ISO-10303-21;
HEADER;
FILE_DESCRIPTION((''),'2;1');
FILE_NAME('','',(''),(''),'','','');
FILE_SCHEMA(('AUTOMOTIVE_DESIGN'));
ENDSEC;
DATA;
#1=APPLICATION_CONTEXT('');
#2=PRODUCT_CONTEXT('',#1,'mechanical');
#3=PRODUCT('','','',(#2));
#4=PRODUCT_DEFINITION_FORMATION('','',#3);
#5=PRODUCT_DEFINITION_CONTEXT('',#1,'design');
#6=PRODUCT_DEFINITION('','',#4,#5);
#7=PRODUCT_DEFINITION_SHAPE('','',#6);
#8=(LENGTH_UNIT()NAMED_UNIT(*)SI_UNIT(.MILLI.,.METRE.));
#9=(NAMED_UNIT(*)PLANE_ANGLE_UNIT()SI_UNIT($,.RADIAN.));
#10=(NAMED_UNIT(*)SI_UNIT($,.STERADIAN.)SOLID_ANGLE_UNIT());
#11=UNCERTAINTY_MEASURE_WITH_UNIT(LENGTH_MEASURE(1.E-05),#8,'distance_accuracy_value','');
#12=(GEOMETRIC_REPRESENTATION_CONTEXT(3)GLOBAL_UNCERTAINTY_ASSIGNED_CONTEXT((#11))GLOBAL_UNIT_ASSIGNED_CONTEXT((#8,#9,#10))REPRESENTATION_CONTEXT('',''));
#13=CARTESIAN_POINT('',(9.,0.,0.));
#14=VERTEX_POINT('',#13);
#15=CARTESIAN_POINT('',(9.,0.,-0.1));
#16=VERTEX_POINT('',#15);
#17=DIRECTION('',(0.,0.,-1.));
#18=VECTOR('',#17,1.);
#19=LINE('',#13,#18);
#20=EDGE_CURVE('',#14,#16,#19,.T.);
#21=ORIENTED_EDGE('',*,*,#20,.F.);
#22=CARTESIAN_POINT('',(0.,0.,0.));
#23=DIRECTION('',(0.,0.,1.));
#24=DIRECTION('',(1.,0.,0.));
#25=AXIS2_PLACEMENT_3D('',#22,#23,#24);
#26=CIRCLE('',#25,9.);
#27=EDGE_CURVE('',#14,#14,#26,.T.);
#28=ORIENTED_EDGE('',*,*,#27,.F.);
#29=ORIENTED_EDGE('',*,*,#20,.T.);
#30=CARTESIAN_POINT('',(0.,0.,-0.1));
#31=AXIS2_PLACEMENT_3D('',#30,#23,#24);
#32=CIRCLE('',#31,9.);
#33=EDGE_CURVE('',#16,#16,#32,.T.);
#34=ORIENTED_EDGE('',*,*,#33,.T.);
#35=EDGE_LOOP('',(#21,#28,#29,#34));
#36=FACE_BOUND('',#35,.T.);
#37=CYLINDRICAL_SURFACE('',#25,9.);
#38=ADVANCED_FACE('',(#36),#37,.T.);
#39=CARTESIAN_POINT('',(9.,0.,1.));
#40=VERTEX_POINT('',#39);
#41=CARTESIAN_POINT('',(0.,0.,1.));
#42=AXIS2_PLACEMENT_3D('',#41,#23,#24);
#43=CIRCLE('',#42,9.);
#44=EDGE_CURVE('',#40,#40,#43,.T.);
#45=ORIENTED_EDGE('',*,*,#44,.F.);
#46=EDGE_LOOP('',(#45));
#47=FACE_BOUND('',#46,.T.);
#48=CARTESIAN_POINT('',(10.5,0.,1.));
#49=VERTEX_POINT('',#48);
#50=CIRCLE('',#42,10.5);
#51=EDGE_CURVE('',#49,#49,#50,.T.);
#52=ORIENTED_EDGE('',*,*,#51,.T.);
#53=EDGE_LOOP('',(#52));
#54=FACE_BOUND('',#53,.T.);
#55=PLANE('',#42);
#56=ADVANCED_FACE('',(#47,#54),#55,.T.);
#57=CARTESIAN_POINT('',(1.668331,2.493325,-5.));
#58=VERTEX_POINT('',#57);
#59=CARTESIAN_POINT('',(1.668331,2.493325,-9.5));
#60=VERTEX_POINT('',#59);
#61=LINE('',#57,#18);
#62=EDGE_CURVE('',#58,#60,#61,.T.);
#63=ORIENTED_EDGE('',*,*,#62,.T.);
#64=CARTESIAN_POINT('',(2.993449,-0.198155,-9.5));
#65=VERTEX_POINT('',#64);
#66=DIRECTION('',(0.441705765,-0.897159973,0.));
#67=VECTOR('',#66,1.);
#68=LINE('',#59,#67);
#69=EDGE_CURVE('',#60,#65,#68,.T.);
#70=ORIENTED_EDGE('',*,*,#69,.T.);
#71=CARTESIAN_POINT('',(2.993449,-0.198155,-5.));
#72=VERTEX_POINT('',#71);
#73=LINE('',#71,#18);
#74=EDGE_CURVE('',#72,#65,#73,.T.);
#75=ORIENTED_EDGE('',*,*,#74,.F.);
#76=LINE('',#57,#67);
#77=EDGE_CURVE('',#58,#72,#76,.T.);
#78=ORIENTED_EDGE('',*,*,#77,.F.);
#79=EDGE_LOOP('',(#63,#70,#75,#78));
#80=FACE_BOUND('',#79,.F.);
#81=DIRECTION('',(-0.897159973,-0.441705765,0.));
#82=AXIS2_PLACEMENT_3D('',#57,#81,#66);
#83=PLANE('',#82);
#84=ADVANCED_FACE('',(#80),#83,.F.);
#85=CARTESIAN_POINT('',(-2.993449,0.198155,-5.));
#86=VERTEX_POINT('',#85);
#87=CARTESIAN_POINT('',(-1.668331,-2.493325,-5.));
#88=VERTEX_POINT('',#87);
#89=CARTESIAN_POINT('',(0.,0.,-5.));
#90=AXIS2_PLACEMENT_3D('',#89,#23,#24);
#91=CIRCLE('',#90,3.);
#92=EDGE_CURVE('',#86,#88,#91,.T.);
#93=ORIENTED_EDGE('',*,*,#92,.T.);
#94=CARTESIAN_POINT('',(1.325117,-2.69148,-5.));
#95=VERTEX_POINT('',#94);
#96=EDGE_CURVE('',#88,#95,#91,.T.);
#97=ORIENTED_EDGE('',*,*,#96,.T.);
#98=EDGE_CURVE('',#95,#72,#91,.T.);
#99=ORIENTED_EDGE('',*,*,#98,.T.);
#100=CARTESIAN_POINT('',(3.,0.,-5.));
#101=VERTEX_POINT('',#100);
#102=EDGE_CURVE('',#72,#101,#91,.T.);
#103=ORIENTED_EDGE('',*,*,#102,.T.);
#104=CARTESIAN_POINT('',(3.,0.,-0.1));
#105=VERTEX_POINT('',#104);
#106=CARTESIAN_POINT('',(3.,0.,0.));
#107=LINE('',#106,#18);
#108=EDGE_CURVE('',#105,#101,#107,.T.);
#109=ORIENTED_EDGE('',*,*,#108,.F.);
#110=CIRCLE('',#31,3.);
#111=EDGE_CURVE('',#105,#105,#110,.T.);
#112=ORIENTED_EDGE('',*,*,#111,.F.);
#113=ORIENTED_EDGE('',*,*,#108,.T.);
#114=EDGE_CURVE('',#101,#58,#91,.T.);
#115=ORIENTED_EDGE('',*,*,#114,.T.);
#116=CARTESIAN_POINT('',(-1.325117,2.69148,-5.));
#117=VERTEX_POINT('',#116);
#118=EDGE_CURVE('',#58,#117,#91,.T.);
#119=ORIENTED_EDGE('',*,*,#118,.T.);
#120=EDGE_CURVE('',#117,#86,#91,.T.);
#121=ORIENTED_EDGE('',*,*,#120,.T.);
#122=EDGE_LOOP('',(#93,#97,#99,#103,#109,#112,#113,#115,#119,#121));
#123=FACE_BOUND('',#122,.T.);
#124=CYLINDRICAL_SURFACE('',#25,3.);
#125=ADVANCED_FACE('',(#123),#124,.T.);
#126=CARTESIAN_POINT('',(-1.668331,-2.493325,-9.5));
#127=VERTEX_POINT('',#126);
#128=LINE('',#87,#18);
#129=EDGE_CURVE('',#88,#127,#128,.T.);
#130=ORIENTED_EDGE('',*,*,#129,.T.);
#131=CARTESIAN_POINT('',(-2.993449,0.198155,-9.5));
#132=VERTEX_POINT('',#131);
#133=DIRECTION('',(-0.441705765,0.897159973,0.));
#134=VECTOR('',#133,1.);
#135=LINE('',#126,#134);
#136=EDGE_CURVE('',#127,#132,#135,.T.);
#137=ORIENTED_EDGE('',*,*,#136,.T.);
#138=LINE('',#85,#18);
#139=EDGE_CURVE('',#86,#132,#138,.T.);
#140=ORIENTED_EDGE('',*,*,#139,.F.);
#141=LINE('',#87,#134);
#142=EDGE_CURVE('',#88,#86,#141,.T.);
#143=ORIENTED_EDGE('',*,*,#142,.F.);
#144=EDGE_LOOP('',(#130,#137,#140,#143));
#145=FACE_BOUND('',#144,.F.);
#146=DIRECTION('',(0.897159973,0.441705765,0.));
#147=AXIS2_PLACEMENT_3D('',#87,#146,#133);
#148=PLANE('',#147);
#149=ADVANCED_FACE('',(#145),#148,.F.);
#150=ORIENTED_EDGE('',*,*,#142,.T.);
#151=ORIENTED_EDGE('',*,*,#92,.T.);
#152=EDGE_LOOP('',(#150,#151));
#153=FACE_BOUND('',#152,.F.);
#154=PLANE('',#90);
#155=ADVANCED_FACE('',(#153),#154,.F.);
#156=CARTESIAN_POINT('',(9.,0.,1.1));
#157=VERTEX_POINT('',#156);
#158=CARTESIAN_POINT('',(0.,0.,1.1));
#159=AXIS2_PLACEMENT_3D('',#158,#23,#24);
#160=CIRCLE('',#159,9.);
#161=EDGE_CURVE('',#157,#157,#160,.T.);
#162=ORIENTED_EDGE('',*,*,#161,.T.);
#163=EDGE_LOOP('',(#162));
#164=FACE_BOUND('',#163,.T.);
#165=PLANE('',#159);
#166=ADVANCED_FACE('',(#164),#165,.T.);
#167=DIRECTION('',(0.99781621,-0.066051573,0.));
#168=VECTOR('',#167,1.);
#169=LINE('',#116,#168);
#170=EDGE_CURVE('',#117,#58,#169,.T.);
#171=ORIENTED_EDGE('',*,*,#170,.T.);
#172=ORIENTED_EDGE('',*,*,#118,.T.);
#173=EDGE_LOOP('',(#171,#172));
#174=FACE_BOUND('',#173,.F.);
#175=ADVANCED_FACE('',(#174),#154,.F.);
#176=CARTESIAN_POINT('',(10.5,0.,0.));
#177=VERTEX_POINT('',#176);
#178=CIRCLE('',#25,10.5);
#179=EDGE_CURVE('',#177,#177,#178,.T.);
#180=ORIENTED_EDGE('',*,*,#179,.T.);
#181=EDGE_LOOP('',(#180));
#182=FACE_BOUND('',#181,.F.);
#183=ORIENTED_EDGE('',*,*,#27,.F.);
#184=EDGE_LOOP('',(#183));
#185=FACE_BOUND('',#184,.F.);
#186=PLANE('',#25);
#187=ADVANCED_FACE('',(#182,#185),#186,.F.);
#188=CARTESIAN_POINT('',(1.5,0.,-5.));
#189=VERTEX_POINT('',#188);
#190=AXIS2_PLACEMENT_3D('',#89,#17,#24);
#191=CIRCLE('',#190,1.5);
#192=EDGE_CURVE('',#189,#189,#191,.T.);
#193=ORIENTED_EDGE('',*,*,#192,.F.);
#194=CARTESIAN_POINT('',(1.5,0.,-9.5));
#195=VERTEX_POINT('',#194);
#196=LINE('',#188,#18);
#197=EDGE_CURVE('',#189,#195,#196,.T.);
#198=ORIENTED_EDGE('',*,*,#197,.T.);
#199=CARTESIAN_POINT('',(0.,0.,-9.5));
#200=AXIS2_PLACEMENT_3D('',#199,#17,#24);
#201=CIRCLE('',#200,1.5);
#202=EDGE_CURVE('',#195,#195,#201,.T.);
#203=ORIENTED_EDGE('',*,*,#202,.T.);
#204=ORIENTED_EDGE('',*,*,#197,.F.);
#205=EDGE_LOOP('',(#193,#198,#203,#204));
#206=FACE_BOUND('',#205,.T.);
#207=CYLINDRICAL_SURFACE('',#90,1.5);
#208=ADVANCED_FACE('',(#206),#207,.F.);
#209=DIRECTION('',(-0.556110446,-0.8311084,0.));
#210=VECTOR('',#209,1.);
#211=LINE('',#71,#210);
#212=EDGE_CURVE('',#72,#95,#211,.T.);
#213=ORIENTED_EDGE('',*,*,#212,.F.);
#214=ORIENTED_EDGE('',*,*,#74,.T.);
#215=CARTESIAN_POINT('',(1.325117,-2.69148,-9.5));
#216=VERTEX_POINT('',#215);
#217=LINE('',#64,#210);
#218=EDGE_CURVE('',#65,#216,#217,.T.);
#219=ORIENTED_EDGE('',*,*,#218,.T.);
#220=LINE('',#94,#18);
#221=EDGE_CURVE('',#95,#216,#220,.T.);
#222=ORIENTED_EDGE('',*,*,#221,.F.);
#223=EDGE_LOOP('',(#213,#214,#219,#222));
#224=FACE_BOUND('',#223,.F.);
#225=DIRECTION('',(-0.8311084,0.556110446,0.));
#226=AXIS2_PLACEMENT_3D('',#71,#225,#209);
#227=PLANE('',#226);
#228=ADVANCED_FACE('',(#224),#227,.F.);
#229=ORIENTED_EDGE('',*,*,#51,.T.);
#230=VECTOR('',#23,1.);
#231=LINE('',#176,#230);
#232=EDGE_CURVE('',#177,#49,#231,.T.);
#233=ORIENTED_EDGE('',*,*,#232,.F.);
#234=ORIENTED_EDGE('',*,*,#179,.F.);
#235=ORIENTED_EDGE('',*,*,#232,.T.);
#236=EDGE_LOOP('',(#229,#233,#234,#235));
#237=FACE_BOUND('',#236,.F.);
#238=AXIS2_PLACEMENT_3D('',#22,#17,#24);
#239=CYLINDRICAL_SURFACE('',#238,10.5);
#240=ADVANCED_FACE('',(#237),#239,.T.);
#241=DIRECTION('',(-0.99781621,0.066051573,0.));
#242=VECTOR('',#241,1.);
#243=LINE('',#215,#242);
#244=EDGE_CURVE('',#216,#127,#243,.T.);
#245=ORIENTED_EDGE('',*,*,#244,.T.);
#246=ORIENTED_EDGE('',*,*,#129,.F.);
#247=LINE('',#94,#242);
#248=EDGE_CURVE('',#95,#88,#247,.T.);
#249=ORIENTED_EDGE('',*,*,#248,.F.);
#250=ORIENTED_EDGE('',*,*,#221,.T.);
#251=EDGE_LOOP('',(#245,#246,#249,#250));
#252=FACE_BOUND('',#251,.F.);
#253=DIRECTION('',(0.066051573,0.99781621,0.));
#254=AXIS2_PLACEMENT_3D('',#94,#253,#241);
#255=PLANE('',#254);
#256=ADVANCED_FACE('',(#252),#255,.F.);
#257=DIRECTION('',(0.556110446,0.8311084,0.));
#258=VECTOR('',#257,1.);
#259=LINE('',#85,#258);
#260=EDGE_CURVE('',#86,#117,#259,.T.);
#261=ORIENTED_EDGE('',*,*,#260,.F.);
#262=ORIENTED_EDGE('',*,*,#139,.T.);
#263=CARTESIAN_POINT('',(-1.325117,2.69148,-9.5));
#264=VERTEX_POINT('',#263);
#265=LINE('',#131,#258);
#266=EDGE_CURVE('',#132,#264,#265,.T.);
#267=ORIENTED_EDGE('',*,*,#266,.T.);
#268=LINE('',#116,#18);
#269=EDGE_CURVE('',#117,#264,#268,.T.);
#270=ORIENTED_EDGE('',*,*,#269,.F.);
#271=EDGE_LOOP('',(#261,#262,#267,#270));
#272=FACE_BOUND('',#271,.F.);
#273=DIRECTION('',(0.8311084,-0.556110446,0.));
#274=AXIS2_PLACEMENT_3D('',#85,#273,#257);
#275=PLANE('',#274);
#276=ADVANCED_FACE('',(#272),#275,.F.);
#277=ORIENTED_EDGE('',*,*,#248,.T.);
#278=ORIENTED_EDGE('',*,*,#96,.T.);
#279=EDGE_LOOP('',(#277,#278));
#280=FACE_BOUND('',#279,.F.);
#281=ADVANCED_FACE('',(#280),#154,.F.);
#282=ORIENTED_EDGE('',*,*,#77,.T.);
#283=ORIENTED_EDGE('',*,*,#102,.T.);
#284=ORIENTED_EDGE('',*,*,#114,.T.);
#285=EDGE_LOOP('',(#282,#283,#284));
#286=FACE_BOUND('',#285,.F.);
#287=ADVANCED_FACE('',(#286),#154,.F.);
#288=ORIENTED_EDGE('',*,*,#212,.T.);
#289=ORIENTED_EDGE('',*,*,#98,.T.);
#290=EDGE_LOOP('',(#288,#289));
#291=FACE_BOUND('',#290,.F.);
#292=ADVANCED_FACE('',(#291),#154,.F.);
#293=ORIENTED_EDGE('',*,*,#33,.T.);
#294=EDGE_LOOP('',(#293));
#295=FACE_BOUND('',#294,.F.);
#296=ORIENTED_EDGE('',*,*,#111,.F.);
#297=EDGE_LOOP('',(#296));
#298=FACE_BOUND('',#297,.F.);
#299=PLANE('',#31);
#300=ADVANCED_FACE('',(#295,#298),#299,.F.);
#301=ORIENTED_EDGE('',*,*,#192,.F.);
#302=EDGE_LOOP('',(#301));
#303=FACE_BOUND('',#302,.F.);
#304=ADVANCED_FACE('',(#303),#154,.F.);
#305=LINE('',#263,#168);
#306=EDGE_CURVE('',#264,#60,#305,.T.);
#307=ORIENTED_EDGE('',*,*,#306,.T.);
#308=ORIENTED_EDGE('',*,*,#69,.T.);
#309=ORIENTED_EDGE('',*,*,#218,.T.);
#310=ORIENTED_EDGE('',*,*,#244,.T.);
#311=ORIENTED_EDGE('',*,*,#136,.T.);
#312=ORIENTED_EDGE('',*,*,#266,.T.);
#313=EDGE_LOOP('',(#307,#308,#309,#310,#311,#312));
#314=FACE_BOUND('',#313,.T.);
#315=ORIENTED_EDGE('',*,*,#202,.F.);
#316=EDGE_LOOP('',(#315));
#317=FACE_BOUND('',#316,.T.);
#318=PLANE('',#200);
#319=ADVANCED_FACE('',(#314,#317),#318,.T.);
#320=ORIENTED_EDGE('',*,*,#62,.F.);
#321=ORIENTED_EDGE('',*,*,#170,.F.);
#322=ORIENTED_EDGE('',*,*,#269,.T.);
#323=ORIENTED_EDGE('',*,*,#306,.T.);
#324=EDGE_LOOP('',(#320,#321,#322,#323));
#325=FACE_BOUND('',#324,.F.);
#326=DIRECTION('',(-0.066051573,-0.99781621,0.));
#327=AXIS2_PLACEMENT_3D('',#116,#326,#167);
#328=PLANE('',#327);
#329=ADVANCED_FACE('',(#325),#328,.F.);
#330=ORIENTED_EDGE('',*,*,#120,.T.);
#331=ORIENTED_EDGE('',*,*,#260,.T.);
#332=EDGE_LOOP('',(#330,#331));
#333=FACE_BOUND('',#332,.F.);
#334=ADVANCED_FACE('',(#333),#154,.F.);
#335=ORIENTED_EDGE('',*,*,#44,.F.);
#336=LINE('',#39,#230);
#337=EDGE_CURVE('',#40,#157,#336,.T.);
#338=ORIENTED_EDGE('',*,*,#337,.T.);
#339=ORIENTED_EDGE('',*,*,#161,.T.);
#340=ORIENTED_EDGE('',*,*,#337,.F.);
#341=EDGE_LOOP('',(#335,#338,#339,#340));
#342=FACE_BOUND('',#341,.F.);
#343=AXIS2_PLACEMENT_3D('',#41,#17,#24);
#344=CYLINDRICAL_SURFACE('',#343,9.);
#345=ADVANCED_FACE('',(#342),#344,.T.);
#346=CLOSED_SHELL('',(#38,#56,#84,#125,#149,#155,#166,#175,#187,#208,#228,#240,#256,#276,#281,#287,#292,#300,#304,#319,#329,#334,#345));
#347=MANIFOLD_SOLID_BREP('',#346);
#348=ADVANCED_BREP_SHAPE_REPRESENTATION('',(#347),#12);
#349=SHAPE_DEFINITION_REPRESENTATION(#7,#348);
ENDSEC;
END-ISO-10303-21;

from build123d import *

# Parameters (mm, degrees)
F0_R     = 10.5
F0_R_2   = 9
F0_R_3   = 3
F1_DEPTH = 1
F2_DEPTH = 5
F3_DEPTH = 0.1
F4_DEPTH = 0.1
F5_R     = 9
F6_DEPTH = 0.1
F7_R     = 1.5
F8_DEPTH = 4.5


with BuildPart() as f1:
    # F0 (on Top) → F1 (new body)
    with BuildSketch(Plane.XY):
        Circle(F0_R)
        Circle(F0_R_2, mode=Mode.SUBTRACT)
        Circle(F0_R_2)
        Circle(F0_R_3, mode=Mode.SUBTRACT)
        Circle(F0_R_3)
    extrude(amount=F1_DEPTH)

    # F0 (on Top) → F2 (join)
    with BuildSketch(Plane.XY):
        Circle(F0_R_3)
    extrude(amount=-F2_DEPTH)

    # F0 (on Top) → F3 (join)
    with BuildSketch(Plane.XY):
        Circle(F0_R_2)
        Circle(F0_R_3, mode=Mode.SUBTRACT)
    extrude(amount=F3_DEPTH)

    # F0 (on Top) → F4 (join)
    with BuildSketch(Plane.XY):
        Circle(F0_R_2)
        Circle(F0_R_3, mode=Mode.SUBTRACT)
    extrude(amount=-F4_DEPTH)

    # F5 (on face) → F6 (join)
    with BuildSketch(Plane.XY.offset(1)):
        Circle(F5_R)
    extrude(amount=F6_DEPTH)

    # F7 (on face) → F8 (join)
    with BuildSketch(Plane(origin=(0, 0, -5), x_dir=(1, 0, 0), z_dir=(0, 0, -1))):
        Polygon((1.668331337, -2.4933251994), (2.9934486311, 0.1981547201), (1.325117294, 2.6914799195), (-1.668331337, 2.4933251994), (-2.9934486311, -0.1981547201), (-1.325117294, -2.6914799195), align=None)
        Circle(F7_R, mode=Mode.SUBTRACT)
    extrude(amount=F8_DEPTH)


solid = f1.part
